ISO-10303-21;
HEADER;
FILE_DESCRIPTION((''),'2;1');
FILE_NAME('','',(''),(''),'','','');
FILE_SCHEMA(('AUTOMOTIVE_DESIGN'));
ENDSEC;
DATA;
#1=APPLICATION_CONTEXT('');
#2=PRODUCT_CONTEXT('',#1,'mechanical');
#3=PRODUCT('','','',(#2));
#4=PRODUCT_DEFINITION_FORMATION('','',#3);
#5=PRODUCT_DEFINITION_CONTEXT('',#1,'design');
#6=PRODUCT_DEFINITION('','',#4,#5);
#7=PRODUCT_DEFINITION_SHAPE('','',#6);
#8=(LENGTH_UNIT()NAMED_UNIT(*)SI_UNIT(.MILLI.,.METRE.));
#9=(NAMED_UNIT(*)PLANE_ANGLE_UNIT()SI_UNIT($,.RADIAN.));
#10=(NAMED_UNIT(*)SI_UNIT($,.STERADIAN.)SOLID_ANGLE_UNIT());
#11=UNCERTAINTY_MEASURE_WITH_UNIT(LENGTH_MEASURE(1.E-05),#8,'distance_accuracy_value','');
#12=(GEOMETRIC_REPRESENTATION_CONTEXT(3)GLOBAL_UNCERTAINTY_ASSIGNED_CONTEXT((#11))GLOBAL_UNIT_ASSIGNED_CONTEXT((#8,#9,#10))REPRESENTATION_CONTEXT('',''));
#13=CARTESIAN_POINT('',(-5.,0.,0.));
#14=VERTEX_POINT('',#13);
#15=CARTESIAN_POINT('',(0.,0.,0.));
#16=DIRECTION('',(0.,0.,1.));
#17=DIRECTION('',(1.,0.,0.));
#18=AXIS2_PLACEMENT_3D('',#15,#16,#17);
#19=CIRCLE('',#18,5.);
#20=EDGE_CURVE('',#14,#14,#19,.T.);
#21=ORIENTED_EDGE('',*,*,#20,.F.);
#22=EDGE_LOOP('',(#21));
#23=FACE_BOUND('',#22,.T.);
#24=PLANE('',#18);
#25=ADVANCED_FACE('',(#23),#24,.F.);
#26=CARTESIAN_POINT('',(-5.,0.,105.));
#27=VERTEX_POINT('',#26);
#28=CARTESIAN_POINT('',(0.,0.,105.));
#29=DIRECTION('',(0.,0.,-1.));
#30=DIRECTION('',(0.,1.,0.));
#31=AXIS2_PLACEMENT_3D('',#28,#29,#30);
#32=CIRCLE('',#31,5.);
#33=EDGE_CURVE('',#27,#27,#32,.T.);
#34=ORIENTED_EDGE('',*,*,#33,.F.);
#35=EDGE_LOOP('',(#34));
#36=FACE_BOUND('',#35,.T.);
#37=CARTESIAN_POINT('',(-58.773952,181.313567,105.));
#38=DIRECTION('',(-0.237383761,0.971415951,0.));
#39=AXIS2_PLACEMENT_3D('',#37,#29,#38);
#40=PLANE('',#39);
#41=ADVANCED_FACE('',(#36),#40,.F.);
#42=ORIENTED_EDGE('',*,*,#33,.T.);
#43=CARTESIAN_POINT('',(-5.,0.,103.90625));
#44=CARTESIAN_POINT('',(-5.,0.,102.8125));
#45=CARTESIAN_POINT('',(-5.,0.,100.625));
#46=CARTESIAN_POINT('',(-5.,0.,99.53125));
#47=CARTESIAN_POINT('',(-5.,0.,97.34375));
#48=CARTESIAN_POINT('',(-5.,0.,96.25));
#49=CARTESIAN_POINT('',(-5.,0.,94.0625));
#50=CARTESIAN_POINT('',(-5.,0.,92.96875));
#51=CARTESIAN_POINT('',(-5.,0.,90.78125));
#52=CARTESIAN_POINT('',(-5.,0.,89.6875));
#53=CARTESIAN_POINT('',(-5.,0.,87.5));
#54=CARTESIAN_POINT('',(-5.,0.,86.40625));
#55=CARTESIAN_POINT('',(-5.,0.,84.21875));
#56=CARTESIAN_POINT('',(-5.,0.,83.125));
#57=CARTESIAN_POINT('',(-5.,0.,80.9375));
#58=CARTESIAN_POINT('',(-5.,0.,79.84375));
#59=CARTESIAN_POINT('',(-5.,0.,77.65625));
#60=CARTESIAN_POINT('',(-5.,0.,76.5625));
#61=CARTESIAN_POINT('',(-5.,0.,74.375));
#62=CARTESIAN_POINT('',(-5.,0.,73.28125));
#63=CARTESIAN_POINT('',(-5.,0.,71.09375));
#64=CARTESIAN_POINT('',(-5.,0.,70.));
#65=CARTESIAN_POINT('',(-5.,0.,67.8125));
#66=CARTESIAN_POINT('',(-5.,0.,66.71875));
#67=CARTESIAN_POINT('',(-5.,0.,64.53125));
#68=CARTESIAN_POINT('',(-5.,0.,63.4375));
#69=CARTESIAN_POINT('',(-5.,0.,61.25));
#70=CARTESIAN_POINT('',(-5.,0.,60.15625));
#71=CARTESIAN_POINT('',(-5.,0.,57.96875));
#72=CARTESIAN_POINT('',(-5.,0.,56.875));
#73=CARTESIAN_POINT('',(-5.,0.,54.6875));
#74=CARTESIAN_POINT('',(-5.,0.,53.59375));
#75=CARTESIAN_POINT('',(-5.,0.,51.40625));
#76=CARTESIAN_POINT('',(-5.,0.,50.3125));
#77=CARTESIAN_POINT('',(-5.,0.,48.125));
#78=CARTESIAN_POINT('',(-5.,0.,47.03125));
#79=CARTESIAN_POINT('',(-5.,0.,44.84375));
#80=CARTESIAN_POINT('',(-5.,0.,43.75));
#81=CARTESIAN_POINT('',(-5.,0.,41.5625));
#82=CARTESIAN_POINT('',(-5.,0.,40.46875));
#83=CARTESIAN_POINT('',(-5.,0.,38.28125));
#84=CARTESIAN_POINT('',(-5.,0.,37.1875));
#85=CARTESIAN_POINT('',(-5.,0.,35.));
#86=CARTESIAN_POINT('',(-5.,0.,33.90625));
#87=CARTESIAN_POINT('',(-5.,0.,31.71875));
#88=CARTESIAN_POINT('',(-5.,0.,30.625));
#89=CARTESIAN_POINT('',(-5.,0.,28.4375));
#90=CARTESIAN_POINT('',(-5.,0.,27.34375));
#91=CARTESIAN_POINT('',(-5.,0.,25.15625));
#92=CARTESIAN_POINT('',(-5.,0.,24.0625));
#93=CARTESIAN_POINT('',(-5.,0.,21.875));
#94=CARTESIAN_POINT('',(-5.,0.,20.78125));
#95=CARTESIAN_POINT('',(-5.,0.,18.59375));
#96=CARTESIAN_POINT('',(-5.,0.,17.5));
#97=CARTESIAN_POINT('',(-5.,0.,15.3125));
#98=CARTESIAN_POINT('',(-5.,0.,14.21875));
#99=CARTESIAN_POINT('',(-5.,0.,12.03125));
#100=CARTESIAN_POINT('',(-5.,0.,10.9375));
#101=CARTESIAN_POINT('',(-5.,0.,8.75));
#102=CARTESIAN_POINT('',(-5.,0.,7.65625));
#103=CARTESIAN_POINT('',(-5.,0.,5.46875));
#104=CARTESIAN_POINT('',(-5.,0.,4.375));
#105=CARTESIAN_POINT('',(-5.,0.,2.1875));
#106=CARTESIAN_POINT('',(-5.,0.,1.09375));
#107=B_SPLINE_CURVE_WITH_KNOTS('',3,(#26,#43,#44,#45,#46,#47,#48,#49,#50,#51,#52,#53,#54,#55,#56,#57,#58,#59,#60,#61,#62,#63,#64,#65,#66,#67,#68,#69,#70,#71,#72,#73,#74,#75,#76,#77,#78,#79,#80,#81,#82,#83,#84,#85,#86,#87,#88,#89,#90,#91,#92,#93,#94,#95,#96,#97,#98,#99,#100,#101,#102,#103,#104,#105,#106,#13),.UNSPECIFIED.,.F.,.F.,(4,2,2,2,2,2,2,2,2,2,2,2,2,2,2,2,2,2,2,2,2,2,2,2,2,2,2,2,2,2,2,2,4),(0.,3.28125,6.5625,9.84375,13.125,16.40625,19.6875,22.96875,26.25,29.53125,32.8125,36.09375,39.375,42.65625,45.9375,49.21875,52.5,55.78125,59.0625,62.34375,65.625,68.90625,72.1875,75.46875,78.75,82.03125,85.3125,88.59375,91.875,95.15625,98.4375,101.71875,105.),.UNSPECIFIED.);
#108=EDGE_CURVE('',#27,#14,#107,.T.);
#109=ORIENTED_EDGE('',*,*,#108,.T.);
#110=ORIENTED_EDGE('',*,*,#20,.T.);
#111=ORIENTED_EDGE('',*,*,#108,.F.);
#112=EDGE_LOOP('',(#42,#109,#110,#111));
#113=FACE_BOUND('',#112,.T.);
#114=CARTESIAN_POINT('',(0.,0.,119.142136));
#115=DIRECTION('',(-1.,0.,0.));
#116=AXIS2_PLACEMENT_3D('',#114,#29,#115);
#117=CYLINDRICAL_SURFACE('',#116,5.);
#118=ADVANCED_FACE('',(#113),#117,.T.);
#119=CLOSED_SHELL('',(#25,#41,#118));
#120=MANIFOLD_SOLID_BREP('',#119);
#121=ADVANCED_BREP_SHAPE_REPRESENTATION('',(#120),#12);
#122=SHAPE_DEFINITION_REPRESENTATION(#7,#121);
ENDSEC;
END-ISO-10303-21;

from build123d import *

# Parameters (mm, degrees)
ESQUISSE1_R        = 5
BOSS_EXTRU_1_DEPTH = 105


with BuildPart() as part:
    # Esquisse1 → Boss.-Extru.1 (new body)
    with BuildSketch(Plane.XY):
        with Locations(Location((0, 0, 0), (0, 0, 180))):
            Circle(ESQUISSE1_R)
    extrude(amount=BOSS_EXTRU_1_DEPTH)


solid = part.part
